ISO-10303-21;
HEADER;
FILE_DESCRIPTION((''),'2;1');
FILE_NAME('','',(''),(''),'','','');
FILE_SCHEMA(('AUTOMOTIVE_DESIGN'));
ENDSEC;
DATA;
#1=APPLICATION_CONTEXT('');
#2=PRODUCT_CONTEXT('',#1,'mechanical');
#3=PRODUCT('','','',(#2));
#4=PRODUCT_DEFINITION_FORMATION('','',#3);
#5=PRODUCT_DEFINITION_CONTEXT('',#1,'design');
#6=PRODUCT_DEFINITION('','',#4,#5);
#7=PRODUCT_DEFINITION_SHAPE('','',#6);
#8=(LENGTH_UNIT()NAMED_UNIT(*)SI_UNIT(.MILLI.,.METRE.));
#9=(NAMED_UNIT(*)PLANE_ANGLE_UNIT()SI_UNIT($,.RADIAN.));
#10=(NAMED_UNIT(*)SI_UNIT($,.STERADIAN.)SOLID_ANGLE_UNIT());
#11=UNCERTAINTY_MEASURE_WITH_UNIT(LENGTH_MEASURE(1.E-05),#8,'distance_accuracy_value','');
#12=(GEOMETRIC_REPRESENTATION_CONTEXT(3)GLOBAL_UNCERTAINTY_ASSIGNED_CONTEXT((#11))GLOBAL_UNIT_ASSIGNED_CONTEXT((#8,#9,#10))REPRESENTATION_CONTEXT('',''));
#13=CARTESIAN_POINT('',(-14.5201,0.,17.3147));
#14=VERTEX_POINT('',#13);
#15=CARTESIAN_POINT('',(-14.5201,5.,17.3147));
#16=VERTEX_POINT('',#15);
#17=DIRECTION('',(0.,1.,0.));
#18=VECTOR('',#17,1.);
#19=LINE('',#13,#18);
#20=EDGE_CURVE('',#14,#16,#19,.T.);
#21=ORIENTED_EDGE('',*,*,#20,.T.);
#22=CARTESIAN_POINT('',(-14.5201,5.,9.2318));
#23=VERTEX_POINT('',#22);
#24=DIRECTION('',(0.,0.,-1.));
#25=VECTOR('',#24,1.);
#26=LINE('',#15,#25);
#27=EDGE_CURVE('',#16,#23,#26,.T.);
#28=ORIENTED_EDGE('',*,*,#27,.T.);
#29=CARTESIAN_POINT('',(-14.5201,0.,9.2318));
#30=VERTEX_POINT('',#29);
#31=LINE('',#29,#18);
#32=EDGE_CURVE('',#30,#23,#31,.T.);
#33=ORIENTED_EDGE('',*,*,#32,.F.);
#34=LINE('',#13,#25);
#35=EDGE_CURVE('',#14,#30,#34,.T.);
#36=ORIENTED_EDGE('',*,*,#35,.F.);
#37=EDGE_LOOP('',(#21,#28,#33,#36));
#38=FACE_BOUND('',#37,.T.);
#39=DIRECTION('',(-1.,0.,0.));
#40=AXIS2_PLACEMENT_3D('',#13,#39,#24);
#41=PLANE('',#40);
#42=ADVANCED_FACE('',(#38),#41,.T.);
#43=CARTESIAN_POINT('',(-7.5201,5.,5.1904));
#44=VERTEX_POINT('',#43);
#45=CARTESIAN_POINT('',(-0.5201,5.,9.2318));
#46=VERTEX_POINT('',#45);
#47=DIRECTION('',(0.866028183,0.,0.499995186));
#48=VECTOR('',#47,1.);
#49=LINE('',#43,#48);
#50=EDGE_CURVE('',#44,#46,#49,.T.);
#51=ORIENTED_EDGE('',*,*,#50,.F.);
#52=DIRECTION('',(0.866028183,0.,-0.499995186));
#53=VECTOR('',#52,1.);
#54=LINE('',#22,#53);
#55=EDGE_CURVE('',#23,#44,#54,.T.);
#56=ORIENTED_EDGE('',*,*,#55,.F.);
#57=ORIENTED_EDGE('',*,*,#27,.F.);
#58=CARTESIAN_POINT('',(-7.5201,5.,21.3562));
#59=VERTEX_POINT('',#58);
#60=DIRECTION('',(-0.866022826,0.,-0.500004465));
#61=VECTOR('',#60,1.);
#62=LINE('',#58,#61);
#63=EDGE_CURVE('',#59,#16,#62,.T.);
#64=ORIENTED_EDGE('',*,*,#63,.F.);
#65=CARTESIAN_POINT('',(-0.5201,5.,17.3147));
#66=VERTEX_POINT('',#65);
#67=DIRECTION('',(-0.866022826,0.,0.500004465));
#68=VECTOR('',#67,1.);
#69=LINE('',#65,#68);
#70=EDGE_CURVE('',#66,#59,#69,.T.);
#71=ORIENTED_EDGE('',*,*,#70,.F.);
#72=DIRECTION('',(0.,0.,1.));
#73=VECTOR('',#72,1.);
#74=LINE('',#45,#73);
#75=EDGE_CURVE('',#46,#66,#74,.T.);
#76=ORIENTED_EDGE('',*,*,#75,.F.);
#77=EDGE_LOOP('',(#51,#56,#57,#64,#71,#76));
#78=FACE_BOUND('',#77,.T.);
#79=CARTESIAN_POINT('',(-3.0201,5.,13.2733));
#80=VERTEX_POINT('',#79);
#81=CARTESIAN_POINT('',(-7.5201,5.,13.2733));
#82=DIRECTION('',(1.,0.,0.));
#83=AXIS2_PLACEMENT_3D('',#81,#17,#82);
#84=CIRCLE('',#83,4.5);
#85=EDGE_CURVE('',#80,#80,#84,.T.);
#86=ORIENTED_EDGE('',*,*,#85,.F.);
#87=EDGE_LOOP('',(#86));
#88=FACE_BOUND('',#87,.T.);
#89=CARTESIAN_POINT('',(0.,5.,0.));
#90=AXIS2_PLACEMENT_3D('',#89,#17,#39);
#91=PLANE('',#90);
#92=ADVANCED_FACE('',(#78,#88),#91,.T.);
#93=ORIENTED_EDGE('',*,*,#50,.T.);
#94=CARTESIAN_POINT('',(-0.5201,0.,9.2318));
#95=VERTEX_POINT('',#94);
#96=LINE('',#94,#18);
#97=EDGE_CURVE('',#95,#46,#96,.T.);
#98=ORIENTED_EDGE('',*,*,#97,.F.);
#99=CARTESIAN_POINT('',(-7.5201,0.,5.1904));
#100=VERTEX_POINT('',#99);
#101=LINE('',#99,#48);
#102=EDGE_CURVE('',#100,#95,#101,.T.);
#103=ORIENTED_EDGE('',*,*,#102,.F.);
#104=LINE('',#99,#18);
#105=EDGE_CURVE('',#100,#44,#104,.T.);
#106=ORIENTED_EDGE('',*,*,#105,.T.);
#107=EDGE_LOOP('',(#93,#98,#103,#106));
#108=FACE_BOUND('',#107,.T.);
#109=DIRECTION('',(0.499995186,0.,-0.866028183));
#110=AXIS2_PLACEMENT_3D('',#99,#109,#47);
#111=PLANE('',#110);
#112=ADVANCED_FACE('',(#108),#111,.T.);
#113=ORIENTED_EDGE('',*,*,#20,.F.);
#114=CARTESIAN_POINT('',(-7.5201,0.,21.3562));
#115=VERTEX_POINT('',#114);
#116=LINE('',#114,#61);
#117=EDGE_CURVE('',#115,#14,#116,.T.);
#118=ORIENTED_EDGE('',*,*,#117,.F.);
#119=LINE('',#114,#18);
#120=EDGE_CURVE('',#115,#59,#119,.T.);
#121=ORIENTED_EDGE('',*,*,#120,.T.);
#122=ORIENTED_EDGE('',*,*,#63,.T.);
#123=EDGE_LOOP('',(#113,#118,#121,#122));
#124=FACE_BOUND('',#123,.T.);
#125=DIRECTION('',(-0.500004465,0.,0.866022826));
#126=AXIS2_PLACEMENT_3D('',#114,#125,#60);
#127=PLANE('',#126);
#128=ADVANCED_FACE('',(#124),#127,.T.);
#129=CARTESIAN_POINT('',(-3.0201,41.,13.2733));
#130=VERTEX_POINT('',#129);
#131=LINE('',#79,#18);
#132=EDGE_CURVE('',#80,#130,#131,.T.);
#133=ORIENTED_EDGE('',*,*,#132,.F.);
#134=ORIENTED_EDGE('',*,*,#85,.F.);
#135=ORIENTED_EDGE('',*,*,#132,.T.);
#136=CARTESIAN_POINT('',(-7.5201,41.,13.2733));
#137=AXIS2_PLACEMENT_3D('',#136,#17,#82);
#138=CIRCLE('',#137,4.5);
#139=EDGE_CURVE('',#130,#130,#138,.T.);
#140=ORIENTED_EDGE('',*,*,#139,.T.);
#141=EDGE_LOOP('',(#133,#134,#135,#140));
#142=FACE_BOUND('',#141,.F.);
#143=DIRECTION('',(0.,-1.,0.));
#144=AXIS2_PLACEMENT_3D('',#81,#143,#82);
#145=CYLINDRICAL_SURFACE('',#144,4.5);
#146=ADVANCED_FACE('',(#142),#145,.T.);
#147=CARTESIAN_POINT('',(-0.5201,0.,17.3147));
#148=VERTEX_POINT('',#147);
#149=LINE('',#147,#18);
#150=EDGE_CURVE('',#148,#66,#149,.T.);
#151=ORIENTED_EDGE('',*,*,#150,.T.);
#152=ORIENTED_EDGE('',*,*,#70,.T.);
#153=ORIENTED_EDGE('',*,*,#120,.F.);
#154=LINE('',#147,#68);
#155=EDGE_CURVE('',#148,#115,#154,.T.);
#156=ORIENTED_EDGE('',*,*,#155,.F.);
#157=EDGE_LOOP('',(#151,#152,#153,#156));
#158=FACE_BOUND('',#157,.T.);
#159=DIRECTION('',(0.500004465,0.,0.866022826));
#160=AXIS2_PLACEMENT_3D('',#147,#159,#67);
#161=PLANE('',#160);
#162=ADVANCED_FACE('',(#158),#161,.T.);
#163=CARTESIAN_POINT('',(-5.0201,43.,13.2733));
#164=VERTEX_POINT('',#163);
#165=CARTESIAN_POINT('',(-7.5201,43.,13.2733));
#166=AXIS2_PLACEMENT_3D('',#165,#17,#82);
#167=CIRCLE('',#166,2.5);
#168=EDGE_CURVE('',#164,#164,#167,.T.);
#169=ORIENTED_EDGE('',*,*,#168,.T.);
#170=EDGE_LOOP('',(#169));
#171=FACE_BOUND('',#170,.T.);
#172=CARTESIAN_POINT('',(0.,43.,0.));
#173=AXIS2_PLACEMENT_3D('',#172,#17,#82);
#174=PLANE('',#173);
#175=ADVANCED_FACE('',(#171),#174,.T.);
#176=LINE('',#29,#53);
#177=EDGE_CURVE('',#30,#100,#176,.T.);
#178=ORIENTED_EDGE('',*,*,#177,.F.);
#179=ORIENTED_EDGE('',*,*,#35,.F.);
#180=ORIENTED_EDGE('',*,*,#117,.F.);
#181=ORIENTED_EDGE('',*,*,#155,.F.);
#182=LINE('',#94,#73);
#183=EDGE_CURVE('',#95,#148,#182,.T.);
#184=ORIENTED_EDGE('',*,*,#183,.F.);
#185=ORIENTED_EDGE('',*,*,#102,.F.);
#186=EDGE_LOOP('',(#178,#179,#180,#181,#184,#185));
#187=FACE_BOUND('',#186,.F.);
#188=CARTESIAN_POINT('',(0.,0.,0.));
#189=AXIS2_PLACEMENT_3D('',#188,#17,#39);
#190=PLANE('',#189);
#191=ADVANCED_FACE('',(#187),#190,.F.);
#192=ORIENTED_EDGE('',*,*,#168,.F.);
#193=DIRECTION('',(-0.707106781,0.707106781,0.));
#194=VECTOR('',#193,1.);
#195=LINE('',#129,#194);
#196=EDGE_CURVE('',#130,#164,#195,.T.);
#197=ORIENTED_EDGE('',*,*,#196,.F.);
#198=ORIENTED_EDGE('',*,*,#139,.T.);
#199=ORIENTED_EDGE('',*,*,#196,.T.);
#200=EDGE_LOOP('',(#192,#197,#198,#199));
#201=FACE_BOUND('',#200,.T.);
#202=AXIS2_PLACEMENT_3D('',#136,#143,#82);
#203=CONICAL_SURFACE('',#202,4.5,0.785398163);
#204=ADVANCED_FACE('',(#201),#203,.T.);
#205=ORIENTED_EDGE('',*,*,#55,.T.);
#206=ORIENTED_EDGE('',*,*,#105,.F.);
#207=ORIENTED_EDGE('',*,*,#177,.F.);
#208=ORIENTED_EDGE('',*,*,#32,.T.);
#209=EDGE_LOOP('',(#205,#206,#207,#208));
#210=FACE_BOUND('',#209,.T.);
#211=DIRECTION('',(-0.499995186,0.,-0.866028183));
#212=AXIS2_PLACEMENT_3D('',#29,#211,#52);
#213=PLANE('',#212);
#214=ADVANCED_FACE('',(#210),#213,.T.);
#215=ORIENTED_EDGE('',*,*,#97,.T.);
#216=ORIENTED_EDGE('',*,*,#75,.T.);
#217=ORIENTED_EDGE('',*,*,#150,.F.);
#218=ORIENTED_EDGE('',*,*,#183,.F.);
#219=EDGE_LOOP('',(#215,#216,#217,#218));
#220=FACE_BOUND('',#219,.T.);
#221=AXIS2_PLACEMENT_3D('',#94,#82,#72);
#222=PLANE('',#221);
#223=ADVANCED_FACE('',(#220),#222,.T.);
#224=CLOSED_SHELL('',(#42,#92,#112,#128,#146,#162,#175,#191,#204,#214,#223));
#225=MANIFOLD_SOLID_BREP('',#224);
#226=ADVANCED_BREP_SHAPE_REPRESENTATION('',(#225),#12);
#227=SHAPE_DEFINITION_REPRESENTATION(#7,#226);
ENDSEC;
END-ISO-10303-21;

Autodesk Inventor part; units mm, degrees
ref_plane "YZ Plane" through (0, 0, 0) normal (1, 0, 0) x (0, 1, 0)
ref_plane "XZ Plane" through (0, 0, 0) normal (0, 1, 0) x (-1, 0, 0)
ref_plane "XY Plane" through (0, 0, 0) normal (0, 0, 1) x (1, 0, 0)
sketch "Sketch1" plane through (0, 0, 0) normal (0, 1, 0) x (-1, 0, 0)
  line L0 (7.5201, 21.3562) -> (14.5201, 17.3147)
  line L1 (14.5201, 17.3147) -> (14.5201, 9.2318)
  line L2 (14.5201, 9.2318) -> (7.5201, 5.1904)
  line L3 (7.5201, 5.1904) -> (0.5201, 9.2318)
  line L4 (0.5201, 9.2318) -> (0.5201, 17.3147)
  line L5 (0.5201, 17.3147) -> (7.5201, 21.3562)
  point P0 (7.5201, 13.2733)
  dimension "d0" = 14
extrude "Extrusion1" add sketch "Sketch1" along normal blind 5
sketch "Sketch2" plane through (0, 5, 0) normal (0, 1, 0) x (1, 0, 0)
  line L0 (-14.5201, -17.3147) -> (-7.5201, -21.3562) projected
  line L1 (-7.5201, -21.3562) -> (-0.5201, -17.3147) projected
  line L2 (-0.5201, -17.3147) -> (-0.5201, -9.2318) projected
  line L3 (-0.5201, -9.2318) -> (-7.5201, -5.1904) projected
  line L4 (-7.5201, -5.1904) -> (-14.5201, -9.2318) projected
  line L5 (-14.5201, -9.2318) -> (-14.5201, -17.3147) projected
  line L6 (-14.5201, -13.2733) -> (-0.5201, -13.2733) construction
  circle A0 centre (-7.5201, -13.2733) radius 4.5
  dimension "d3" = 9
extrude "Extrusion2" add sketch "Sketch2" along normal blind 38 contours A0
chamfer "Chamfer1" distance 2 angle 45 1 edges at (-12.0201, 43, 13.2733)
properties part number "perno_38"
